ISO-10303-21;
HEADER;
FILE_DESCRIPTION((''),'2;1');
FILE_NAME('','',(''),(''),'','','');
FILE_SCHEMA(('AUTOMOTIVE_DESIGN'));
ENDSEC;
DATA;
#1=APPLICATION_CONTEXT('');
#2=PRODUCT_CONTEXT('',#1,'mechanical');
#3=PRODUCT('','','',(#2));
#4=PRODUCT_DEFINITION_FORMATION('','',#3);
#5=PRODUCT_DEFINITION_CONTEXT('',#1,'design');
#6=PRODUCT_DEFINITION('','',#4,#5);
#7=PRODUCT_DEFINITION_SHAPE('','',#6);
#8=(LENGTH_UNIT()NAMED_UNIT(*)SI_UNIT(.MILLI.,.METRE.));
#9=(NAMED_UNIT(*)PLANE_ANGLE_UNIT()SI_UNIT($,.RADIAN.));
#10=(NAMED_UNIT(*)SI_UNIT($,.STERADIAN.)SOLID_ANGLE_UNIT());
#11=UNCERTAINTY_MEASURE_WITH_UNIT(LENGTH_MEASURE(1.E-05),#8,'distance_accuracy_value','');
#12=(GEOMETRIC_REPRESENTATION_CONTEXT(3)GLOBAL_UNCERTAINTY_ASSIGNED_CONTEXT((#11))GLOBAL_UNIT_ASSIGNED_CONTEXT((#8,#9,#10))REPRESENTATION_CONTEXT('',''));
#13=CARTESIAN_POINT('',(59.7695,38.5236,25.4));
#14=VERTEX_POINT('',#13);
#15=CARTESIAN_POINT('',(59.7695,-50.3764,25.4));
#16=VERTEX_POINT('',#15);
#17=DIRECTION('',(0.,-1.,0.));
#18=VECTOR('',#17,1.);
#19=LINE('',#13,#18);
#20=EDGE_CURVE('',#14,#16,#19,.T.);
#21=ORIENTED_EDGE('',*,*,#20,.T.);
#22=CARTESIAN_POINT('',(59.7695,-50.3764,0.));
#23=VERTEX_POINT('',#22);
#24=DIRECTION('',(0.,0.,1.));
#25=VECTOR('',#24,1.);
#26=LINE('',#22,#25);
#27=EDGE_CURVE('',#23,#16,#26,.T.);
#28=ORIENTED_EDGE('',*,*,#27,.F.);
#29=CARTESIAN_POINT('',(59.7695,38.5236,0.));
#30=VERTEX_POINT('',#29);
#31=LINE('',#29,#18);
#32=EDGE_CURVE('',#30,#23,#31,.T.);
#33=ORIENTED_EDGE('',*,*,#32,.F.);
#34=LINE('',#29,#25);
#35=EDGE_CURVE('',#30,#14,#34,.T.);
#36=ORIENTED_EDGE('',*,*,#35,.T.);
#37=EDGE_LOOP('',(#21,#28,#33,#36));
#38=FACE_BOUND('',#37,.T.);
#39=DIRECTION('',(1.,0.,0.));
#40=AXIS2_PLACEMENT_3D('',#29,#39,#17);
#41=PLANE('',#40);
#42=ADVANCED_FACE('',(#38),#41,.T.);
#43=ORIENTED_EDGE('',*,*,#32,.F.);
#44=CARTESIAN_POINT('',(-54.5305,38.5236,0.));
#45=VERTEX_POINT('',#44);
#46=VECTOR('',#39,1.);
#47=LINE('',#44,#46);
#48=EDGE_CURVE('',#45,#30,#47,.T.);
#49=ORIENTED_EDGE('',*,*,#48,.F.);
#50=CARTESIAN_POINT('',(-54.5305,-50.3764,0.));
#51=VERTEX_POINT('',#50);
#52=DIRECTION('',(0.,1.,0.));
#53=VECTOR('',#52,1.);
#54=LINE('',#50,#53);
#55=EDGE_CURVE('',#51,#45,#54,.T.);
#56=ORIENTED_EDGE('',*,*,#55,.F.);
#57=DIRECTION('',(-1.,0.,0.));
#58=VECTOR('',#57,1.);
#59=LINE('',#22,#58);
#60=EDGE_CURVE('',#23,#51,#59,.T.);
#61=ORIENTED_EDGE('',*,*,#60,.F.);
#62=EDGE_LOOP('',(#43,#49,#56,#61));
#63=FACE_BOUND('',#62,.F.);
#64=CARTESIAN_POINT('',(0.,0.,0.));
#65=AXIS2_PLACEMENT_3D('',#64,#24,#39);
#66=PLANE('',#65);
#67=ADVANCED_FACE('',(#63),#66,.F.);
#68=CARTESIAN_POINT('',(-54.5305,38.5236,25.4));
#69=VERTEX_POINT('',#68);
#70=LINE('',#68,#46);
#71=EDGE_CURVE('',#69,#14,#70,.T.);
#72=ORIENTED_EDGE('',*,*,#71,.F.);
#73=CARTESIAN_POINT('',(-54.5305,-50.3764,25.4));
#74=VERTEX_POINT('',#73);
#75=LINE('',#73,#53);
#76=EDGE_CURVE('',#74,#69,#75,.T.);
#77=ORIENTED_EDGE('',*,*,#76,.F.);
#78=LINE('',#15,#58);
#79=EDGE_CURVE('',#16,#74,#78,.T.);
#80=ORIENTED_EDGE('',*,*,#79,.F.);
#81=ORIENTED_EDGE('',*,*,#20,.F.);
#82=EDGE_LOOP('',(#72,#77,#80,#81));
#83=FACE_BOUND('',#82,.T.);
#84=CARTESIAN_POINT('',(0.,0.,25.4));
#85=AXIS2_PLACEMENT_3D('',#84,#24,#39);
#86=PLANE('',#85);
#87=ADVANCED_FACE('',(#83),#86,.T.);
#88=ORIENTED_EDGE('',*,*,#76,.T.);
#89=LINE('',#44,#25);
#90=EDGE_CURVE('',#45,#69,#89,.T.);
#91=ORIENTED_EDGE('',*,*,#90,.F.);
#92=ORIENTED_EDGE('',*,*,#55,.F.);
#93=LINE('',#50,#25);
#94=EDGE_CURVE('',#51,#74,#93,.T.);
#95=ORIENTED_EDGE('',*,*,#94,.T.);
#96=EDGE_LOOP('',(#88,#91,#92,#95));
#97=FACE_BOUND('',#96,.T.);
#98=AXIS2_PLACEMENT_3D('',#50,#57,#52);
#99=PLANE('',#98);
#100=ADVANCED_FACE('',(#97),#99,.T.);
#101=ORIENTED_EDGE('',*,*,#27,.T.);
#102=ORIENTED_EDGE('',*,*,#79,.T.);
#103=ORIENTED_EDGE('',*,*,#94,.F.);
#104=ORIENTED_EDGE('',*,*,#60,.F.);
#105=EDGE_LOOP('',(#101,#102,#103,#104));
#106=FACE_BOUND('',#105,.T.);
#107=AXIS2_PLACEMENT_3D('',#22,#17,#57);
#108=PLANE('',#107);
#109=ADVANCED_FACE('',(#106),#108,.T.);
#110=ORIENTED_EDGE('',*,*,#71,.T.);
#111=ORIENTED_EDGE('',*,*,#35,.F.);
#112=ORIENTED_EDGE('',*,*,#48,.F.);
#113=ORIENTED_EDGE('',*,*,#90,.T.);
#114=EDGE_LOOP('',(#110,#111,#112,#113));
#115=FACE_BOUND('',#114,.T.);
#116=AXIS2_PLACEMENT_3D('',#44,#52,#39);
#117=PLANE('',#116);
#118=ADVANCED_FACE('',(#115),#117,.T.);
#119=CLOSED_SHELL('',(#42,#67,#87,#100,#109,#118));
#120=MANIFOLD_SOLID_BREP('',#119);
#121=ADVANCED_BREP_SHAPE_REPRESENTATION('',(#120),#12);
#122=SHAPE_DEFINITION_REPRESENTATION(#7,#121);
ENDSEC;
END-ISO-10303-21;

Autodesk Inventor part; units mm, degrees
ref_plane "YZ Plane" through (0, 0, 0) normal (1, 0, 0) x (0, 1, 0)
ref_plane "XZ Plane" through (0, 0, 0) normal (0, 1, 0) x (-1, 0, 0)
ref_plane "XY Plane" through (0, 0, 0) normal (0, 0, 1) x (1, 0, 0)
sketch "Sketch1" plane through (0, 0, 0) normal (0, 0, 1) x (1, 0, 0)
  line L0 (-54.5305, 38.5236) -> (59.7695, 38.5236)
  line L1 (59.7695, 38.5236) -> (59.7695, -50.3764)
  line L2 (59.7695, -50.3764) -> (-54.5305, -50.3764)
  line L3 (-54.5305, -50.3764) -> (-54.5305, 38.5236)
  point P0 (0, 0)
  dimension "d0" = 114.3
  dimension "d1" = 88.9
extrude "Extrusion1" add sketch "Sketch1" along normal blind 25.4
properties part number "Battery (Approx)"
